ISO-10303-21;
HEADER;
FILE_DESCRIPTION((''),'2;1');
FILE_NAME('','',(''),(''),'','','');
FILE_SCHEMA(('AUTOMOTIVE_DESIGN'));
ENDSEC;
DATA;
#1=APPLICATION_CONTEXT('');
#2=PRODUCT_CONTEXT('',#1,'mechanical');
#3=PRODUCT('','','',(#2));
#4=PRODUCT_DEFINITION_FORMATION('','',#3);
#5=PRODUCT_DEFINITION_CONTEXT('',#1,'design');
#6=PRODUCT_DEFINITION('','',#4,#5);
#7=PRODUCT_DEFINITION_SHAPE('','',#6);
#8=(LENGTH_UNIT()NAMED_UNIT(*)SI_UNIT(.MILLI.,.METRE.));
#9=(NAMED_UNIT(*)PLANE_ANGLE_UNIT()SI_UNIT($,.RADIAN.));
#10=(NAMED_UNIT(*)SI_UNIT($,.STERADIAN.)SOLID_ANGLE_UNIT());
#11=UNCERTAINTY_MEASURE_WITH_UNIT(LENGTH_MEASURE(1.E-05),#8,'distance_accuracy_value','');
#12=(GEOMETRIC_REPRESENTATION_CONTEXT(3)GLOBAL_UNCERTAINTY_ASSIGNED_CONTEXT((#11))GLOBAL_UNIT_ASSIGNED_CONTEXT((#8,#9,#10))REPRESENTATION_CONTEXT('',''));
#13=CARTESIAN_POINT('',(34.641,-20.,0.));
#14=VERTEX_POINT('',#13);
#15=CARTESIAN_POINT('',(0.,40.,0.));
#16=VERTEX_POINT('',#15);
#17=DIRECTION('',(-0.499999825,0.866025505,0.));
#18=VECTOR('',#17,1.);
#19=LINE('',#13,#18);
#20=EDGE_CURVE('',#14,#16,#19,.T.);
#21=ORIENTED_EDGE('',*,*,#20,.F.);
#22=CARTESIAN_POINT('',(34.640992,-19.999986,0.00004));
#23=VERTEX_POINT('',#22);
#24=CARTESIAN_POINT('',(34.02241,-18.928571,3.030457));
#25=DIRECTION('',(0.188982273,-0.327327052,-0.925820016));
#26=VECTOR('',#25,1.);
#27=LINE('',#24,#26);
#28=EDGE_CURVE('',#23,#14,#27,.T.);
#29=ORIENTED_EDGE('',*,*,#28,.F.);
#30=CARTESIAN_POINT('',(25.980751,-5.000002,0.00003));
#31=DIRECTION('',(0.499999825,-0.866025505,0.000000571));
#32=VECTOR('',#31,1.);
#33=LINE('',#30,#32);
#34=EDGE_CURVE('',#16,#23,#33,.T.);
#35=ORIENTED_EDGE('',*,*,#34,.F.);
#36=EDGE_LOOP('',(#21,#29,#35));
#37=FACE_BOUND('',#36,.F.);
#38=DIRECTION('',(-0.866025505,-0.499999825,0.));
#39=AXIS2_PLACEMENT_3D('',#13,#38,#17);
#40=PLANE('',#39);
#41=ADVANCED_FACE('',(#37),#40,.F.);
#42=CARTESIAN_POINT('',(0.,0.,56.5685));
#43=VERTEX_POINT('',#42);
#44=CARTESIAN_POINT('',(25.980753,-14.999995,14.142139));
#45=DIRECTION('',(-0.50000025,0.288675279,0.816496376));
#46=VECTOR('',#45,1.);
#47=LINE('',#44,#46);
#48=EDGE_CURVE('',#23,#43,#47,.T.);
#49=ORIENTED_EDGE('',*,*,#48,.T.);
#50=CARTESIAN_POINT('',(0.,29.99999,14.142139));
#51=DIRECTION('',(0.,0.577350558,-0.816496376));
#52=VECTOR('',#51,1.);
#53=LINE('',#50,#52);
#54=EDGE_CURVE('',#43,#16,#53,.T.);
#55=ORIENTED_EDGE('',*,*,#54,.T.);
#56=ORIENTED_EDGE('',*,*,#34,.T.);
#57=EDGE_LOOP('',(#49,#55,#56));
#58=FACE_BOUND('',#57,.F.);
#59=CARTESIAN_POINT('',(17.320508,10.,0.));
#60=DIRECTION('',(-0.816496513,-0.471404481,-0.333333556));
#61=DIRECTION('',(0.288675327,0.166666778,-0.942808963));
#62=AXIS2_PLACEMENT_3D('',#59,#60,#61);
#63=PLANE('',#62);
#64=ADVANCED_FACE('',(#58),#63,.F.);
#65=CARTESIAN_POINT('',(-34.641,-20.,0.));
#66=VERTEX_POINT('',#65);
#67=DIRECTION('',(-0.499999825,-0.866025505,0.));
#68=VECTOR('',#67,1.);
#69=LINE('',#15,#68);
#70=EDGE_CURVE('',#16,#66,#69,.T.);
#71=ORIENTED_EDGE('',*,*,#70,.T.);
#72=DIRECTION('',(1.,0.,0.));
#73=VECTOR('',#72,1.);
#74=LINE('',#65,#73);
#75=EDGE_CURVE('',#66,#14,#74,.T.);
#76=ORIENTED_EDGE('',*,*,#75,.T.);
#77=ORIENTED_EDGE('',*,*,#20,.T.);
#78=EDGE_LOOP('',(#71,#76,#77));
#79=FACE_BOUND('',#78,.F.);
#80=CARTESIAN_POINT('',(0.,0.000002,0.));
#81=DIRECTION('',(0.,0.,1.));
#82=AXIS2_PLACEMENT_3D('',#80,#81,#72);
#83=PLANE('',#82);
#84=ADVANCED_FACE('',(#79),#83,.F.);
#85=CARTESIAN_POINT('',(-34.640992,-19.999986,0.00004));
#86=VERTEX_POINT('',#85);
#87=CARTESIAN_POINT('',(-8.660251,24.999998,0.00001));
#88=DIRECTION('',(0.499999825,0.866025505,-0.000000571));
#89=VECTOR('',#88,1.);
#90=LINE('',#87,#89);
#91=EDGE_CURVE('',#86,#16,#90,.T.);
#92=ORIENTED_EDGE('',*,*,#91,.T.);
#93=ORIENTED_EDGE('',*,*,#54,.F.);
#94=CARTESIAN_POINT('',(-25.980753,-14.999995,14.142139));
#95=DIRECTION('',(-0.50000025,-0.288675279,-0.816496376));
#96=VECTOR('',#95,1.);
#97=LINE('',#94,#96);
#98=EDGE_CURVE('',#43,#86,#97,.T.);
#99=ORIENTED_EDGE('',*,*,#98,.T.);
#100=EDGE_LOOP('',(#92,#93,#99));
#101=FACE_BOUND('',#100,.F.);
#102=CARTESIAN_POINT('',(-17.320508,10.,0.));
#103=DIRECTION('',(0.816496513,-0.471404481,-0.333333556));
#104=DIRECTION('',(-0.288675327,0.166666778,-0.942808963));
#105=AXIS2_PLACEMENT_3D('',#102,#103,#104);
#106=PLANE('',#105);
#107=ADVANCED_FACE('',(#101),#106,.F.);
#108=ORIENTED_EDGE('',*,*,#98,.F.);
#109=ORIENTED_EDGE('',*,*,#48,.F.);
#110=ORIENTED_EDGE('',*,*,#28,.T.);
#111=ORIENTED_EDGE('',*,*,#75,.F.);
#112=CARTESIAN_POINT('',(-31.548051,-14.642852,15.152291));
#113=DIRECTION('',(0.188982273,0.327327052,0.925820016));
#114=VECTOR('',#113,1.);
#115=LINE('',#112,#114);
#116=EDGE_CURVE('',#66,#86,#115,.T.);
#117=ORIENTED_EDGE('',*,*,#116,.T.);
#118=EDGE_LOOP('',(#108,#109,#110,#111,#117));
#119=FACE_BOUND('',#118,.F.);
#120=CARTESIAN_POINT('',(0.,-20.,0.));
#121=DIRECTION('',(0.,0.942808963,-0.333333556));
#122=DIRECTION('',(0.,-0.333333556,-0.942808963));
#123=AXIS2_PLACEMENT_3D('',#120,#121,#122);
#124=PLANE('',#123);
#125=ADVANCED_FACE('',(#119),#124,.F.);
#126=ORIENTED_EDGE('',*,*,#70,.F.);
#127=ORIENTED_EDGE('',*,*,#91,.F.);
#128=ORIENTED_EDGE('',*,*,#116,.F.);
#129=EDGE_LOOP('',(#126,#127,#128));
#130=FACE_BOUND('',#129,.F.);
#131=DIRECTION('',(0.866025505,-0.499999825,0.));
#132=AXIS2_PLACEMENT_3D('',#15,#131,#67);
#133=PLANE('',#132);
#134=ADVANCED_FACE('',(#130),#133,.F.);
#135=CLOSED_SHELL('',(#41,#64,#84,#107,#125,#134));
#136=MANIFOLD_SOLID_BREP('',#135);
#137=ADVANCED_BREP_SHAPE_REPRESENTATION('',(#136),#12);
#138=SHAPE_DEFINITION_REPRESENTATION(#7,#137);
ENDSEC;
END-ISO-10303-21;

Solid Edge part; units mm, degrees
sketch "Sketch1" plane through (0, 0, 0) normal (0, 0, 1) x (1, 0, 0)
  line L0 (34.641, -20) -> (0, 40)
  line L1 (0, 40) -> (-34.641, -20)
  line L2 (-34.641, -20) -> (34.641, -20)
  dimension "D1" = 60
extrude "Protrusion1" add sketch "Sketch1" along normal up to vertex (56.5685 mm away)
sketch "Sketch2" plane through (0, 0, 0) normal (1, 0, 0) x (0, 1, 0)
  line L0 (-20, 0) -> (0, 56.5685)
extrude "Cutout1" cut sketch "Sketch2" along normal mid plane 391.7611 material side at (0, -10.0471, 28.3009)
pattern_circular "Pattern1" count 3 over 360 about axis through (0, 0, 0) along (0, 0, -1) of "Cutout1"
